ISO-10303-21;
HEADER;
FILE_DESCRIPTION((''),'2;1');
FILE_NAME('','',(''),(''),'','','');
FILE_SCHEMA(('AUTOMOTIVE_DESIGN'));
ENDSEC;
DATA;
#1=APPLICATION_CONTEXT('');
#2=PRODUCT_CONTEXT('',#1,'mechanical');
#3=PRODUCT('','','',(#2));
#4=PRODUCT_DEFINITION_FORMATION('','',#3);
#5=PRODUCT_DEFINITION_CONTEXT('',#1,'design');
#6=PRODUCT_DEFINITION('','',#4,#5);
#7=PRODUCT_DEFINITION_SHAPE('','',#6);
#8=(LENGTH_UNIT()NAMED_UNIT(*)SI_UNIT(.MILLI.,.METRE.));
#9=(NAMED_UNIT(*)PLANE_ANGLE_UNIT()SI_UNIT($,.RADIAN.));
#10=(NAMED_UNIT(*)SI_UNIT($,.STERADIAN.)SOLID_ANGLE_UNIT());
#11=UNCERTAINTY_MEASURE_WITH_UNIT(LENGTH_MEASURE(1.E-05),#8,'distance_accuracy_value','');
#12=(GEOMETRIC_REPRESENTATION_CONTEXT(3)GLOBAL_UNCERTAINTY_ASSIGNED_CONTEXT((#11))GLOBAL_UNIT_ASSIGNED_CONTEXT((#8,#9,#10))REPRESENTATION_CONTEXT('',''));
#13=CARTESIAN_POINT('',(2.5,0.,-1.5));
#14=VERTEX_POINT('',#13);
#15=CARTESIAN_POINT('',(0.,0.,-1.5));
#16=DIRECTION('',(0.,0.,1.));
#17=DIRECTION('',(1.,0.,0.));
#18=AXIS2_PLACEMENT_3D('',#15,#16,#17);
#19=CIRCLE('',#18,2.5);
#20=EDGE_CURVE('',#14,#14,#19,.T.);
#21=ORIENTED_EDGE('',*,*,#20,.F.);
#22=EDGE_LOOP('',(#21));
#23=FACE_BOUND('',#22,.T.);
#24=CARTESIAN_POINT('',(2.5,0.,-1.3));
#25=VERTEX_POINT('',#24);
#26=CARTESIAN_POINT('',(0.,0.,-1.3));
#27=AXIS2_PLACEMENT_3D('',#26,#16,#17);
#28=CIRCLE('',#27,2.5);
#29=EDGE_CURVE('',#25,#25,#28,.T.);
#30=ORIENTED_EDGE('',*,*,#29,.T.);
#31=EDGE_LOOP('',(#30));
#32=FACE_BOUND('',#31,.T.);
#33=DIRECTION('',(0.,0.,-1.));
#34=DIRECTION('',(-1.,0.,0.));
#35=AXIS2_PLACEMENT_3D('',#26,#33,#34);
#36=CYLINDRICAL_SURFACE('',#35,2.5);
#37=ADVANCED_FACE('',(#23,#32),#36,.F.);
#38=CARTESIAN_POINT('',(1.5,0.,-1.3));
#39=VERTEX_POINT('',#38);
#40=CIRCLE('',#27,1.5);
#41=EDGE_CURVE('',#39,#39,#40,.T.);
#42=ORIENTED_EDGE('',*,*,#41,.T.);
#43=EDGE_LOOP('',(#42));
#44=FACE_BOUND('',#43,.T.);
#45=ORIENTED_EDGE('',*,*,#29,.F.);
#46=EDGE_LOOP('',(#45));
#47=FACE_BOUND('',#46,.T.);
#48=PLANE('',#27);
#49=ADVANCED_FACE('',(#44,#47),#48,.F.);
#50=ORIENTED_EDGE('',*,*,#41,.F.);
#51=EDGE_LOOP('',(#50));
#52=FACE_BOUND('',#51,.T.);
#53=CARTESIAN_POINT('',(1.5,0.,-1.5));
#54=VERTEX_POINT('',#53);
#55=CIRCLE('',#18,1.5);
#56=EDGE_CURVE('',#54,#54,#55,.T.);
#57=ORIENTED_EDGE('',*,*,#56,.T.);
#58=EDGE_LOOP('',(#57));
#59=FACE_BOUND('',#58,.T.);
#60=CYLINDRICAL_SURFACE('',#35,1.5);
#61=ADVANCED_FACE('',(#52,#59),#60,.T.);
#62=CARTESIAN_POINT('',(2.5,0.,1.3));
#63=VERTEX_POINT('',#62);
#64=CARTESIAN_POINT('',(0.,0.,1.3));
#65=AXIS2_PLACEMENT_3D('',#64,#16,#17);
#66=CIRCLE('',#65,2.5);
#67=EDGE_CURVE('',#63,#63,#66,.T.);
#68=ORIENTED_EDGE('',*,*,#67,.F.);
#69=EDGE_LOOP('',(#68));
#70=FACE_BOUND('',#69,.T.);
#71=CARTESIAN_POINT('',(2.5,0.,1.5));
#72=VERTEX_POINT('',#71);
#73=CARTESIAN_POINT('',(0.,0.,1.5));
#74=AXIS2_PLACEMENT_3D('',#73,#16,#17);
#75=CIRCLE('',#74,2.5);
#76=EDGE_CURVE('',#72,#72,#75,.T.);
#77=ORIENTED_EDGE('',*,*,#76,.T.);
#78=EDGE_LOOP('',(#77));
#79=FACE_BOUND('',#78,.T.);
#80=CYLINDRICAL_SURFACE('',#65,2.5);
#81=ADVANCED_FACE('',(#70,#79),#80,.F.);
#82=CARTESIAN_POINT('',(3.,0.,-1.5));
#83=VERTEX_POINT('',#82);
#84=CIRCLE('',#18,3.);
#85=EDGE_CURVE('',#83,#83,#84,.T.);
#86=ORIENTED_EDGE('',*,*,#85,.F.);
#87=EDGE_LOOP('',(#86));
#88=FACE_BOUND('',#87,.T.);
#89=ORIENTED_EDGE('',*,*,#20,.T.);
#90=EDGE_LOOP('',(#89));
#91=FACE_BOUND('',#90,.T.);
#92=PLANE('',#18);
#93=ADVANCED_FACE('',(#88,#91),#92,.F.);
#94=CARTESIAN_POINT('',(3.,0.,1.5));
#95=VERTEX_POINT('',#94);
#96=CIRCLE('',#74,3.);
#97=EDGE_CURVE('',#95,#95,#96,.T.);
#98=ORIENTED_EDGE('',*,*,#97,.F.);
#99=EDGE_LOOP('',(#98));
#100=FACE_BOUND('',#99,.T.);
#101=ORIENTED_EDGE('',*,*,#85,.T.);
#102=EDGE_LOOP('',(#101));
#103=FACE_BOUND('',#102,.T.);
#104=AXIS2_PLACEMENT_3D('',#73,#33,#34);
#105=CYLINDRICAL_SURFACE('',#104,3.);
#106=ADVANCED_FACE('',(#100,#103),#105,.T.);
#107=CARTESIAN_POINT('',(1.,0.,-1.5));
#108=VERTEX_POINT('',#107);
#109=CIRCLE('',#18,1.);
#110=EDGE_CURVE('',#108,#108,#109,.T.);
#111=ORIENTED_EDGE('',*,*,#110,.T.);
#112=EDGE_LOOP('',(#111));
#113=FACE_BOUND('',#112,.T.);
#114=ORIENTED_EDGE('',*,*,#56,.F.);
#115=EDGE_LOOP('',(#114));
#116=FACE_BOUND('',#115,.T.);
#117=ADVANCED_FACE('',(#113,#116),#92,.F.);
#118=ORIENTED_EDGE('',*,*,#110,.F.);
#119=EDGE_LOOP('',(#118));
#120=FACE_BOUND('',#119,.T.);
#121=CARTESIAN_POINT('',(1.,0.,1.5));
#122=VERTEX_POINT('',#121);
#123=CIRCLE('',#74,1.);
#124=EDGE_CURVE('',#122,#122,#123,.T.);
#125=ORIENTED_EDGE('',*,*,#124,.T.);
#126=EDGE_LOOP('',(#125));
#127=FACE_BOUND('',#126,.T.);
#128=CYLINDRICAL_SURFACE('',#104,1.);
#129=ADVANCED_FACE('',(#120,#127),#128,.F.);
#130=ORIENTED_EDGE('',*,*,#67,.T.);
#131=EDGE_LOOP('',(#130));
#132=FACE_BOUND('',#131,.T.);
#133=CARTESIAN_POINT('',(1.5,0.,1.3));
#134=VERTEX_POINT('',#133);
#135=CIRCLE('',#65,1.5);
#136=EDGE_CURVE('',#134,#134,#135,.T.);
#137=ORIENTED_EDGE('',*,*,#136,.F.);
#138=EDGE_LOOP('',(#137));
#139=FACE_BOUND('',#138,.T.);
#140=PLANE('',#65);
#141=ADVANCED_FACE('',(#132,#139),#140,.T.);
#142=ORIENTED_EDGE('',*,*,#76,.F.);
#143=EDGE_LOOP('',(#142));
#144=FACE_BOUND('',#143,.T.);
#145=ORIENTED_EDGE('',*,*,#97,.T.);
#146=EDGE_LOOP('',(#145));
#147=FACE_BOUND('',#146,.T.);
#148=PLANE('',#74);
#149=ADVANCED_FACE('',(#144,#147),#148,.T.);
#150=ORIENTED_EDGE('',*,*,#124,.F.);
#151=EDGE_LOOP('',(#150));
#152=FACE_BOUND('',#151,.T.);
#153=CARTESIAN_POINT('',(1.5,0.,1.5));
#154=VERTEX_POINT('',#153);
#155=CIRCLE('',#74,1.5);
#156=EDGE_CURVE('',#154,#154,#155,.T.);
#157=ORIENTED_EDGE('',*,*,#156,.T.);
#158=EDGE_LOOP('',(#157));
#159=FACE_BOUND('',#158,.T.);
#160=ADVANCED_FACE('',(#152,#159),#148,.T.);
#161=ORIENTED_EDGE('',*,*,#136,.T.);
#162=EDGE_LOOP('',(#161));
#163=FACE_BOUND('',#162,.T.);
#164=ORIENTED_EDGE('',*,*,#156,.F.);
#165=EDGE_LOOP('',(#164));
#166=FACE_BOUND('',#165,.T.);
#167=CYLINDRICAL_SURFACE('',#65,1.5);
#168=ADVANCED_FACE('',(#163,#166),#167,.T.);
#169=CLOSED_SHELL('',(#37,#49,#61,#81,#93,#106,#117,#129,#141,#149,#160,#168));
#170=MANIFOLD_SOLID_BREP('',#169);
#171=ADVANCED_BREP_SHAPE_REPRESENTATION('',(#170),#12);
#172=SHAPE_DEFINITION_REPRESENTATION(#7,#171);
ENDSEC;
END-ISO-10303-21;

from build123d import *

# Parameters (mm, degrees)
SKETCH1_R           = 3
SKETCH1_R_2         = 1
BOSS_EXTRUDE1_DEPTH = 1.5
SKETCH2_R           = 2.5
SKETCH2_R_2         = 1.5
CUT_EXTRUDE1_DEPTH  = 0.2
CUT_EXTRUDE2_START  = -2.8
SKETCH2_2_R         = 2.5
SKETCH2_2_R_2       = 1.5
CUT_EXTRUDE2_DEPTH  = 0.2


with BuildPart() as part:
    # Sketch1 → Boss-Extrude1 (new, symmetric)
    with BuildSketch(Plane.XY):
        Circle(SKETCH1_R)
        Circle(SKETCH1_R_2, mode=Mode.SUBTRACT)
    extrude(amount=BOSS_EXTRUDE1_DEPTH, both=True)

    # Sketch2 → Cut-Extrude1 (cut)
    with BuildSketch(Plane.XY.offset(1.5)):
        Circle(SKETCH2_R)
        Circle(SKETCH2_R_2, mode=Mode.SUBTRACT)
    extrude(amount=-CUT_EXTRUDE1_DEPTH, mode=Mode.SUBTRACT)

    # Sketch2<2> → Cut-Extrude2 (cut)
    with BuildSketch(Plane.XY.offset(1.5).offset(CUT_EXTRUDE2_START)):
        Circle(SKETCH2_2_R)
        Circle(SKETCH2_2_R_2, mode=Mode.SUBTRACT)
    extrude(amount=-CUT_EXTRUDE2_DEPTH, mode=Mode.SUBTRACT)


solid = part.part
